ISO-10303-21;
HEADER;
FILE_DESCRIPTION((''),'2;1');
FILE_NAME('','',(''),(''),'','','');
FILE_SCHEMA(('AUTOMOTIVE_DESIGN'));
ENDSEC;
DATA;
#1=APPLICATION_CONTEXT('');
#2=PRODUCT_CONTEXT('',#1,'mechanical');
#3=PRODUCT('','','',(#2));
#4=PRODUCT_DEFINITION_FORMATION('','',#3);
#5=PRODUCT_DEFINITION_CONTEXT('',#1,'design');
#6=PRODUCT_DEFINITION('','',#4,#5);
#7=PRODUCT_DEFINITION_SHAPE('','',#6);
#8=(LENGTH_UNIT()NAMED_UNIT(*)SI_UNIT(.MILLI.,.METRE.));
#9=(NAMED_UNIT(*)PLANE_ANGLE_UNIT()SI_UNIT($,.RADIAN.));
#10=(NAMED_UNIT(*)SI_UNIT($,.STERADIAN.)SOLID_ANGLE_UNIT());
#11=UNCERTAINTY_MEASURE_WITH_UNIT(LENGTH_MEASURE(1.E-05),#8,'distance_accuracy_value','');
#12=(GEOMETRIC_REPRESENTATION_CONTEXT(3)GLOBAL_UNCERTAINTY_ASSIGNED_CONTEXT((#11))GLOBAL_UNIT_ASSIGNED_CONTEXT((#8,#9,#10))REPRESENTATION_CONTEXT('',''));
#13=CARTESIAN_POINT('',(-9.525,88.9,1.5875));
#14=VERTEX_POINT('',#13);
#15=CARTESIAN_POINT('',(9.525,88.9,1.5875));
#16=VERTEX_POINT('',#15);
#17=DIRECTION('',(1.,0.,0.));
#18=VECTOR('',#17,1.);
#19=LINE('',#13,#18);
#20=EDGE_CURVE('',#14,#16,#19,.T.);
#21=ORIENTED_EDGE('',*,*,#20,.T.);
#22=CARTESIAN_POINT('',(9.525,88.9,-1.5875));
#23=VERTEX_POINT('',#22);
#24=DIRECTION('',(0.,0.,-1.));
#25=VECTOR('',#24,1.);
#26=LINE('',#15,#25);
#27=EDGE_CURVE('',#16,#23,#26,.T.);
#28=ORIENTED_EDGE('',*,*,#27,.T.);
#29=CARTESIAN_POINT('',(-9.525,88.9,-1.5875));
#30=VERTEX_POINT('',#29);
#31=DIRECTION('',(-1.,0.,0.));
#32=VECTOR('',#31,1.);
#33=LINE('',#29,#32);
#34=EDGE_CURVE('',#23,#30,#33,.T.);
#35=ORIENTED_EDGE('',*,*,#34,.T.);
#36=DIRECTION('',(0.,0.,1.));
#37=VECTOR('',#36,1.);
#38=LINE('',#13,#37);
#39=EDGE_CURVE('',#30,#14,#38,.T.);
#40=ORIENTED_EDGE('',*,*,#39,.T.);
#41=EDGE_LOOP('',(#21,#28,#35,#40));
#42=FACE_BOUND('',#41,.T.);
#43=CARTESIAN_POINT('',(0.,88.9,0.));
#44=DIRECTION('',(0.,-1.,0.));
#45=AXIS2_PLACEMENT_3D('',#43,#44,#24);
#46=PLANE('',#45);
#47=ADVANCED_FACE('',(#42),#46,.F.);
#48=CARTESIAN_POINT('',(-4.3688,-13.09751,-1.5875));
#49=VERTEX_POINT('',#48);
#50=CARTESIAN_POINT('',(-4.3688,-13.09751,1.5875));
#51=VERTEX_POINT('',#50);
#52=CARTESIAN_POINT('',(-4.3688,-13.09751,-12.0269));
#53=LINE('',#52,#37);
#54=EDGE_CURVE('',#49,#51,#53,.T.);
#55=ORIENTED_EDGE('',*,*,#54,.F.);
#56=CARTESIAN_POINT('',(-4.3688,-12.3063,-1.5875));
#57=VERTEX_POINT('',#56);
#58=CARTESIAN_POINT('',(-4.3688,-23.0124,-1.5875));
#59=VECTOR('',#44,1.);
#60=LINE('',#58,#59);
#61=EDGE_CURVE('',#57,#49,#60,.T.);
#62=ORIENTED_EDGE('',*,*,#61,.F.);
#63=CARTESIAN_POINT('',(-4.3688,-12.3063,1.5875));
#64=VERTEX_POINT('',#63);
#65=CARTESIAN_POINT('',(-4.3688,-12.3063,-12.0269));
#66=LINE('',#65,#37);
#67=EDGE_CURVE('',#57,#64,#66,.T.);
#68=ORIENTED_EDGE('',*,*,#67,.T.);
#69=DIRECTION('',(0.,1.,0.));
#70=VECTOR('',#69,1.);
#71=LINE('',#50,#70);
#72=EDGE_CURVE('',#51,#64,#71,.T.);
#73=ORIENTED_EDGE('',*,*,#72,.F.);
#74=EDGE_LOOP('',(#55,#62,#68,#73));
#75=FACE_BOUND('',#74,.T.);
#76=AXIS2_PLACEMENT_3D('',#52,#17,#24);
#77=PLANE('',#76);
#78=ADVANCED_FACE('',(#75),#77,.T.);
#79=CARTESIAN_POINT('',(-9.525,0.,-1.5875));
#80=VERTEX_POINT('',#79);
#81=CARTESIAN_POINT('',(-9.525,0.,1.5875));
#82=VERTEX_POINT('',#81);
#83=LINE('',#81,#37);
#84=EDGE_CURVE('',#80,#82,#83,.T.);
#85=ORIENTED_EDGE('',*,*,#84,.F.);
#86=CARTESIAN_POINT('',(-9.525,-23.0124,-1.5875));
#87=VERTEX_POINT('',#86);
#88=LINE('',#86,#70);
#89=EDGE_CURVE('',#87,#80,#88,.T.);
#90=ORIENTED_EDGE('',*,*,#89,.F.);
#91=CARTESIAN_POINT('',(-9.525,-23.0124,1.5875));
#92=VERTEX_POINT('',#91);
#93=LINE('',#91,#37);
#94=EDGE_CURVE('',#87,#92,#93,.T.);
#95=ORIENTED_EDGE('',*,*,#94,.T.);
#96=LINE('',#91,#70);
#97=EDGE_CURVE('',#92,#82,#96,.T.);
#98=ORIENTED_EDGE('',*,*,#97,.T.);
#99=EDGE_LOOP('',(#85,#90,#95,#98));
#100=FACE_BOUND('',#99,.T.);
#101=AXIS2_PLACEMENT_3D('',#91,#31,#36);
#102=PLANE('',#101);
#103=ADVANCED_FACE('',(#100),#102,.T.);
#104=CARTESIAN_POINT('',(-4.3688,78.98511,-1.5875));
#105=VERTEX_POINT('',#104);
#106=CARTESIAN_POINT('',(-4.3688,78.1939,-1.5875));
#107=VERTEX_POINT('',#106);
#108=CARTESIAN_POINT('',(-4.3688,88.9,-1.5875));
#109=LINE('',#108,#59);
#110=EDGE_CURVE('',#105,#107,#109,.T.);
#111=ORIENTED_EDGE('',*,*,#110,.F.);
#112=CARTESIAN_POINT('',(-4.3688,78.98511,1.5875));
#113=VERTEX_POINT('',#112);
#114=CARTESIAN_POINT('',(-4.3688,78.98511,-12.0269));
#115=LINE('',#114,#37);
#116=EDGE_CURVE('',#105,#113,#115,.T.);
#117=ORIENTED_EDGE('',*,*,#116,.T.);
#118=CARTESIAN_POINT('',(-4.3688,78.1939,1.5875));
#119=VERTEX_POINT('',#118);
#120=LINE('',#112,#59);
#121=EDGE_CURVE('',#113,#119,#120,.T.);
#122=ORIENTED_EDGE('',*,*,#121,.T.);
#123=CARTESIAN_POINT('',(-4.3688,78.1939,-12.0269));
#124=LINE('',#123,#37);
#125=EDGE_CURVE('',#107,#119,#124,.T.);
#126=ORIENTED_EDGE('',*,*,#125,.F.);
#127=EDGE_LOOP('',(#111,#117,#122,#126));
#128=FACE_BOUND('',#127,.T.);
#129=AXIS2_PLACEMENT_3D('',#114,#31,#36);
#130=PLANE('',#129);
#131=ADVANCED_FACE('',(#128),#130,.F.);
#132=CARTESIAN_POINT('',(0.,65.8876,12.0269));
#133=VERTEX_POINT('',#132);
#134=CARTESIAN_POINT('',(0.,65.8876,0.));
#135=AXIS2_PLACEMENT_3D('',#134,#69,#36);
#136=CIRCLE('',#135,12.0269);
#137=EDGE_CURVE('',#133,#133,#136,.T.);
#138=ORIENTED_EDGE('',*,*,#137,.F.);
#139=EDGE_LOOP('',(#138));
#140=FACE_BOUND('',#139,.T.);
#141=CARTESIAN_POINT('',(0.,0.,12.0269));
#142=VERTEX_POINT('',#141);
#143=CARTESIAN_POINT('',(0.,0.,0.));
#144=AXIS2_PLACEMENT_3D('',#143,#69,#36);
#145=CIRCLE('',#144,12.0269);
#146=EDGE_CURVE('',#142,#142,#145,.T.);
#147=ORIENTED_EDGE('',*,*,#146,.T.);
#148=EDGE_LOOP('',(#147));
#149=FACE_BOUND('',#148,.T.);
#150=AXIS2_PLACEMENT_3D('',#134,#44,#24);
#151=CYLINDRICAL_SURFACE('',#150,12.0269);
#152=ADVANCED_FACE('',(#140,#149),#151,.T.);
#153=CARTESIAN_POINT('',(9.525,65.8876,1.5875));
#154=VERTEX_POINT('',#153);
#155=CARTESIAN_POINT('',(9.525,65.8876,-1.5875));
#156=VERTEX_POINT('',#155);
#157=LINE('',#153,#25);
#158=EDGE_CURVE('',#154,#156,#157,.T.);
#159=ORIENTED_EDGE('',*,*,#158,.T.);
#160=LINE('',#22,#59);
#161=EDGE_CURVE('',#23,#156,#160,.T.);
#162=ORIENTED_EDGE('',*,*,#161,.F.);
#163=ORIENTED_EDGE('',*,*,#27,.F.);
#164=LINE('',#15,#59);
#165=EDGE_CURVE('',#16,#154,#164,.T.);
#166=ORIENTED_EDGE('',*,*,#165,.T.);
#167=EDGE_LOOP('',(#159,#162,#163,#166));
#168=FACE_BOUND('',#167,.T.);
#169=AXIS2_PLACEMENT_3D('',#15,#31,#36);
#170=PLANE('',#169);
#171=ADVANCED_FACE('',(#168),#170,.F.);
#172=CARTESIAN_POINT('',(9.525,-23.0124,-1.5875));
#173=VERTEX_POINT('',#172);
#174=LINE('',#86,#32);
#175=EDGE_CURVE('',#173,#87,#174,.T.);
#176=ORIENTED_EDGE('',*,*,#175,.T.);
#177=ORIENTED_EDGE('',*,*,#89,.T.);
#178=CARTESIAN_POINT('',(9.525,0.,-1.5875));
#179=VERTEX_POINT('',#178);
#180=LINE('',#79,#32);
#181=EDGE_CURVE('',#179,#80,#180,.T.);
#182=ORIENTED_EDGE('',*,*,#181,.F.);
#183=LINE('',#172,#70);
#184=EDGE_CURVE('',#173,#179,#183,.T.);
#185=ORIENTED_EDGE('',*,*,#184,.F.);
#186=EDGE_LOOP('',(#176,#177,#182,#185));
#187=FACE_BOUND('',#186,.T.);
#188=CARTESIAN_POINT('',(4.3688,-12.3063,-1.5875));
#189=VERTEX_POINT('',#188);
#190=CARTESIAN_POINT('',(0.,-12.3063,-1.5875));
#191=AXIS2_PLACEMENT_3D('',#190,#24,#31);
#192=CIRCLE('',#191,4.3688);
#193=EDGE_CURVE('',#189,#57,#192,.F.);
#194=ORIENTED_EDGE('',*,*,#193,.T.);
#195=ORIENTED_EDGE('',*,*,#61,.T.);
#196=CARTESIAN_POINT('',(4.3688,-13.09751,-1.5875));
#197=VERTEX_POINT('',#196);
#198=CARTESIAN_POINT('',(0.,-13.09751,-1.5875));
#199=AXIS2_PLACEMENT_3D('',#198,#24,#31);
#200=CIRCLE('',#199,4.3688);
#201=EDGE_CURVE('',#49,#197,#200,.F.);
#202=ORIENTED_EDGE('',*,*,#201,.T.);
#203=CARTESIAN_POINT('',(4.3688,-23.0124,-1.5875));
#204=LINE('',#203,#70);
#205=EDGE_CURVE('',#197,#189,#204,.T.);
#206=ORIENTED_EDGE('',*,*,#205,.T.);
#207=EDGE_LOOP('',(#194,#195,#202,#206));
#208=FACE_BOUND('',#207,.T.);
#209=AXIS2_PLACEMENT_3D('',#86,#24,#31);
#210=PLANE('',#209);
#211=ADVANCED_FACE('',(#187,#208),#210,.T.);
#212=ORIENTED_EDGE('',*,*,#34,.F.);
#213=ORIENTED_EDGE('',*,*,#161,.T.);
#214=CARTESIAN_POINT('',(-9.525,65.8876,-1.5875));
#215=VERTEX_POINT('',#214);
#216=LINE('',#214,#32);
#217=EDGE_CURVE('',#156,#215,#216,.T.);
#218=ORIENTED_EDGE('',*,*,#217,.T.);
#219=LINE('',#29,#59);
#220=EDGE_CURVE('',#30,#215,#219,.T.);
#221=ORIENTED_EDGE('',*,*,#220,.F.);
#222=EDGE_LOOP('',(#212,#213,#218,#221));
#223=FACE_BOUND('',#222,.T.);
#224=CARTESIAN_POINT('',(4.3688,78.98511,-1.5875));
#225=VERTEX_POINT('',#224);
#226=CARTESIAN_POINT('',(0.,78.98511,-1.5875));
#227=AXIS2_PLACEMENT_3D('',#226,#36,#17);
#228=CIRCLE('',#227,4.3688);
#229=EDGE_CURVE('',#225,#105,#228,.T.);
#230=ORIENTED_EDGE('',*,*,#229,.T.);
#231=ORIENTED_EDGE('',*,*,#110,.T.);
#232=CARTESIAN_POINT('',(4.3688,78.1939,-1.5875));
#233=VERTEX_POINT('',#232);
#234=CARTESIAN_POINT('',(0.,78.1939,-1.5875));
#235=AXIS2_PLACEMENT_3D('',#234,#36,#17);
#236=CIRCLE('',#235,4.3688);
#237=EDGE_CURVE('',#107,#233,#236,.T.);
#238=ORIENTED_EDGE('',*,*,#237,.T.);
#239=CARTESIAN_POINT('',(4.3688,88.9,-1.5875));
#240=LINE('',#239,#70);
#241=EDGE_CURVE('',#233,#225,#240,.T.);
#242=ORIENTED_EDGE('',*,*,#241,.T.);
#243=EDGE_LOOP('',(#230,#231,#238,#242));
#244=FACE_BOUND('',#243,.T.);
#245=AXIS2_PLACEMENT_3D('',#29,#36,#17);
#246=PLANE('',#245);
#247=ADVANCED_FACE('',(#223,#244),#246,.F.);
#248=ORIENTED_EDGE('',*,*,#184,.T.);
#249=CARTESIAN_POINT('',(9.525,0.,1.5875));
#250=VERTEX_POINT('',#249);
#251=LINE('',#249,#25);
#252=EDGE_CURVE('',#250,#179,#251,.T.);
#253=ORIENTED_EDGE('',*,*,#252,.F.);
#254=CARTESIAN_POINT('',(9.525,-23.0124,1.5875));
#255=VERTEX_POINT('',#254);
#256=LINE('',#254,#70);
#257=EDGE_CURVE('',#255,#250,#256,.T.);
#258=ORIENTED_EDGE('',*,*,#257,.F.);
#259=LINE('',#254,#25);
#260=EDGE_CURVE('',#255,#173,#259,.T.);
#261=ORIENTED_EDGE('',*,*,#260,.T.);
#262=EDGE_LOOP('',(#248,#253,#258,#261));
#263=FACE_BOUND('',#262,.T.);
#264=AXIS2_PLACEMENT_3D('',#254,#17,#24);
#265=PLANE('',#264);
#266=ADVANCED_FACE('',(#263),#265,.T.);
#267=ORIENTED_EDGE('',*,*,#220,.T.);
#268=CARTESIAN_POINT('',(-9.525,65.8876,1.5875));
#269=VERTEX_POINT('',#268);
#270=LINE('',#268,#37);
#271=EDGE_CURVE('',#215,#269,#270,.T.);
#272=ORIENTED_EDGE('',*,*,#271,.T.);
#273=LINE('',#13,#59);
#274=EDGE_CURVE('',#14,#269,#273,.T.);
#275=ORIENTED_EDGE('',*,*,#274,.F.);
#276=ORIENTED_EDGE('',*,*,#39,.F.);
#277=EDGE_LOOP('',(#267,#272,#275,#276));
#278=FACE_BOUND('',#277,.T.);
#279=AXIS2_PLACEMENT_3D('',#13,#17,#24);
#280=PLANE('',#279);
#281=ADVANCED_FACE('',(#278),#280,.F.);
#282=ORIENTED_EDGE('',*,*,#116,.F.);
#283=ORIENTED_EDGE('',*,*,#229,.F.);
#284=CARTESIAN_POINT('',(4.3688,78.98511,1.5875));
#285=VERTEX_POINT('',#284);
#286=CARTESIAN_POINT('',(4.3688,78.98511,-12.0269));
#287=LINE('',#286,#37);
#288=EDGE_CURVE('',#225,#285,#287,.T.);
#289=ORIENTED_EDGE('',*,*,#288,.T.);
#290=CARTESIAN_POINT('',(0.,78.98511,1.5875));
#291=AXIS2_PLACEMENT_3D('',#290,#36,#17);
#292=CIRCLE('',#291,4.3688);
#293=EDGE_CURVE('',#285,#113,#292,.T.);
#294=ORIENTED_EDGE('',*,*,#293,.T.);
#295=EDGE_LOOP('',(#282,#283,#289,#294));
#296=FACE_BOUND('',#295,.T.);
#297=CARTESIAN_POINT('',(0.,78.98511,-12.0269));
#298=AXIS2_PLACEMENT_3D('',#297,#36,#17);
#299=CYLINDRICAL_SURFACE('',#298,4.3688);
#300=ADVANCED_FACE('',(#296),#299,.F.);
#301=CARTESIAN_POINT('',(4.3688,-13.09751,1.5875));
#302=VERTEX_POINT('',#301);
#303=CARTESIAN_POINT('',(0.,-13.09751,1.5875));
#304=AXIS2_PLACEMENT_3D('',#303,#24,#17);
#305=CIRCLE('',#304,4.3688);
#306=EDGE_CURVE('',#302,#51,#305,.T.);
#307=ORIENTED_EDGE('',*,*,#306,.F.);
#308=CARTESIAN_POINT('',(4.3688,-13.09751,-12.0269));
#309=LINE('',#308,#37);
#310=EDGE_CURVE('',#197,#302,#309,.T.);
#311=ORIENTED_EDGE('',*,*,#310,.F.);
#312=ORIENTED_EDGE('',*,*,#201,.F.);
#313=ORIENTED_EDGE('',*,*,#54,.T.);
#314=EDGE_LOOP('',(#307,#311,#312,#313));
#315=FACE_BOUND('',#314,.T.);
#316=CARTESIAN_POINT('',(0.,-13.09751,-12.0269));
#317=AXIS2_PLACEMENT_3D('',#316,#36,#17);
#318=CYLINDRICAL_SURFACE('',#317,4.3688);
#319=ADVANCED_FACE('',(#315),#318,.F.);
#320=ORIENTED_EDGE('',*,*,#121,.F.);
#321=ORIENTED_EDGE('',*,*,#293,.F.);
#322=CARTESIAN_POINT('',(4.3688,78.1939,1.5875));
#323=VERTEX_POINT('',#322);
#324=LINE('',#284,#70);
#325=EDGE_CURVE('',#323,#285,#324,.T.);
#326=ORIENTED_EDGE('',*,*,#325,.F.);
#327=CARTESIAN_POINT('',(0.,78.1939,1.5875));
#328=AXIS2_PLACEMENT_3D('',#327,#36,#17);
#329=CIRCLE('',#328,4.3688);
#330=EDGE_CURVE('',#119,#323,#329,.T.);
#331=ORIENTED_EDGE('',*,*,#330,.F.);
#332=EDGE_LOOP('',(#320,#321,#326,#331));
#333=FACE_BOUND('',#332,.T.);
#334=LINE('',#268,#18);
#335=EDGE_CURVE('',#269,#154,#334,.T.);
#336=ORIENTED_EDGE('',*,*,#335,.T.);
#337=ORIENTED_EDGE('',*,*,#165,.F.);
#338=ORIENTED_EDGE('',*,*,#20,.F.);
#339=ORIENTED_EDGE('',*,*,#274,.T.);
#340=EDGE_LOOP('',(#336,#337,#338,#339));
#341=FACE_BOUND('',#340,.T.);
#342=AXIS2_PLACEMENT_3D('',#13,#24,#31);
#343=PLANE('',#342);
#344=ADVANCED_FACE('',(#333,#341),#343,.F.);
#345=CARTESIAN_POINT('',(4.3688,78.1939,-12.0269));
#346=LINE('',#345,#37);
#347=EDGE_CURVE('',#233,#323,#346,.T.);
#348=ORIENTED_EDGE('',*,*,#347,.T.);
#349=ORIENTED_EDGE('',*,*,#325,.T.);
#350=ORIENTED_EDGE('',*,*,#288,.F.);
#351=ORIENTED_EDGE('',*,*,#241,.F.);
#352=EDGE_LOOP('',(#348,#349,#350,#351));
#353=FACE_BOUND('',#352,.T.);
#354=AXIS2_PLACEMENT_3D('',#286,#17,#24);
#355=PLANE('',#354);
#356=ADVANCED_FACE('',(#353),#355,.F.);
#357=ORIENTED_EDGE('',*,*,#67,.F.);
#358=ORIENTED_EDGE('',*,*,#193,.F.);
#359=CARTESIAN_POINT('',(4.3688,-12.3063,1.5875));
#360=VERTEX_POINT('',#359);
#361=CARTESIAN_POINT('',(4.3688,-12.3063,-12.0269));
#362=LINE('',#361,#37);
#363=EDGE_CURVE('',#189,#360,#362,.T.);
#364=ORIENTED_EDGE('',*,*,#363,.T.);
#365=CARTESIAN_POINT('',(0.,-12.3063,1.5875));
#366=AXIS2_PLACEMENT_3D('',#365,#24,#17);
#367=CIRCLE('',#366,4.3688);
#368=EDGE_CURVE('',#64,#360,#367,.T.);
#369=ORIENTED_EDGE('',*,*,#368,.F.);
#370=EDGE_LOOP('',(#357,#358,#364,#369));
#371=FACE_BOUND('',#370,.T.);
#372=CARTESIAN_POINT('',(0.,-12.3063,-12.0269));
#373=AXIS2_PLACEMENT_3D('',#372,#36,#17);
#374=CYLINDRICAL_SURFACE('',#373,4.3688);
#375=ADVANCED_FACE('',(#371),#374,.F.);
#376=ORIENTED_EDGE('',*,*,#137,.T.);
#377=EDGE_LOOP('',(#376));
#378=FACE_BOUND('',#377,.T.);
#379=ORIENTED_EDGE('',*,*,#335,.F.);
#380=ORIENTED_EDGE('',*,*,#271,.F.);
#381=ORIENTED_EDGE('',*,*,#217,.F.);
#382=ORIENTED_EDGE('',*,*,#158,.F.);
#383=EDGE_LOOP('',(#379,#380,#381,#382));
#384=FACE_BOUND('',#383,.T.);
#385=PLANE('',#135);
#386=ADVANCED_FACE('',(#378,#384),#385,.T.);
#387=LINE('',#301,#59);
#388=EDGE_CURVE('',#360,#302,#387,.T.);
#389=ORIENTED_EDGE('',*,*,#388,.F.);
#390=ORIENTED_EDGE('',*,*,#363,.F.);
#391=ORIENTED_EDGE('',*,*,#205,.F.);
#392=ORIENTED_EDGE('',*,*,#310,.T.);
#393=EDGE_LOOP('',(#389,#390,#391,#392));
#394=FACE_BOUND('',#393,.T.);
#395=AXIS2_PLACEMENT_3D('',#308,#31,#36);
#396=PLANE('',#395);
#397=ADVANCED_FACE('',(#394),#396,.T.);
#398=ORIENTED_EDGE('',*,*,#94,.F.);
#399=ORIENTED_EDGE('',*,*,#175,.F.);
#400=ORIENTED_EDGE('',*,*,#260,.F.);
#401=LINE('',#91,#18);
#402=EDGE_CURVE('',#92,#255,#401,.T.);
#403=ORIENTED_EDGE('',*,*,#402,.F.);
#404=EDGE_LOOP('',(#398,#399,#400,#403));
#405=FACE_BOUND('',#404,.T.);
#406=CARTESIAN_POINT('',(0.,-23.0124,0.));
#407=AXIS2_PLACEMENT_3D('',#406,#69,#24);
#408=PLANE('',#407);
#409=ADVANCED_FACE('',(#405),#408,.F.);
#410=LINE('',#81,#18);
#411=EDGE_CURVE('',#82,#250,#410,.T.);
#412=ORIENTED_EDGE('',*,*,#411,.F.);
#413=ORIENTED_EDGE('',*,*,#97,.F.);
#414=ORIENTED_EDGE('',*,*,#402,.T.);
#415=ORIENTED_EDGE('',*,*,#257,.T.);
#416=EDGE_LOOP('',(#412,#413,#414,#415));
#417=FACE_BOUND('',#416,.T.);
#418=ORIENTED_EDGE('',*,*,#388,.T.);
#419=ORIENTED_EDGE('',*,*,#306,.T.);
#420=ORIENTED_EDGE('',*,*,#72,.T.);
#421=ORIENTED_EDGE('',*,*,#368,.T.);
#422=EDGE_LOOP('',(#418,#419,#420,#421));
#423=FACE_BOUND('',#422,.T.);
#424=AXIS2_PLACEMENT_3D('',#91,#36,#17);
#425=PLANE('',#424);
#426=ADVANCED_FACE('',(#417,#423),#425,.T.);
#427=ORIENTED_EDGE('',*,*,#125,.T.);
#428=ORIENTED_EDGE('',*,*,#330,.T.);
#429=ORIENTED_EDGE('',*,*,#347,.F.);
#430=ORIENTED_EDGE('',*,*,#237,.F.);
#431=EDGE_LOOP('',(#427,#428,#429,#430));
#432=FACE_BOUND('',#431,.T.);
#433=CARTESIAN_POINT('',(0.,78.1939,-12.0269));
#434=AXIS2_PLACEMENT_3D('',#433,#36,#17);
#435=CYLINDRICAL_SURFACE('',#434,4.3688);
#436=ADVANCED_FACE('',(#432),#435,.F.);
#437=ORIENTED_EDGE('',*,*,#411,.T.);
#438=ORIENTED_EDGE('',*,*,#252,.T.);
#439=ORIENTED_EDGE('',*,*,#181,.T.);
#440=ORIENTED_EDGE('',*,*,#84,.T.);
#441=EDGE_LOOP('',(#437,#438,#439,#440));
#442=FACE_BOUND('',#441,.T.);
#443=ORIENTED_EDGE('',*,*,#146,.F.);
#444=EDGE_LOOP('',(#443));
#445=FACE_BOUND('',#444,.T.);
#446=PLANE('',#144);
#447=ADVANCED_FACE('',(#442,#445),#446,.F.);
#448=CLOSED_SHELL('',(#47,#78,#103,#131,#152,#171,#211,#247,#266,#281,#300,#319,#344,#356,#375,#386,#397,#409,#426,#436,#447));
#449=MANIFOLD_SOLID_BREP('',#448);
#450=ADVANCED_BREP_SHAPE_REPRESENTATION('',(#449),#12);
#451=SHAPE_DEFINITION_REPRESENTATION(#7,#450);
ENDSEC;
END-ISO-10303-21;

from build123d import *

# Parameters (mm, degrees)
SKETCH1_R           = 12.0269
BOSS_EXTRUDE1_DEPTH = 65.8876
SKETCH2_W           = 19.05
SKETCH2_H           = 3.175
BOSS_EXTRUDE2_DEPTH = 23.0124
CUT_EXTRUDE1_DEPTH  = 14.6144


with BuildPart() as part:
    # Sketch1 → Boss-Extrude1 (new body)
    with BuildSketch(Plane(origin=(0, 0, 0), x_dir=(1, 0, 0), z_dir=(0, 1, 0))):
        Circle(SKETCH1_R)
    extrude(amount=BOSS_EXTRUDE1_DEPTH)

    # Sketch2 → Boss-Extrude2 (add)
    with BuildSketch(Plane(origin=(0, 65.8876, 0), x_dir=(1, 0, 0), z_dir=(0, 1, 0))):
        Rectangle(SKETCH2_W, SKETCH2_H)
    boss_extrude2 = extrude(amount=BOSS_EXTRUDE2_DEPTH)

    # Sketch3 → Cut-Extrude1 (cut, through all)
    with BuildSketch(Plane.XY.offset(1.5875)):
        with BuildLine():
            Line((-4.3688, 78.98511), (-4.3688, 78.1939))
            ThreePointArc((-4.3688, 78.1939), (0, 73.8251), (4.3688, 78.1939))
            Line((4.3688, 78.1939), (4.3688, 78.98511))
            ThreePointArc((4.3688, 78.98511), (0, 83.35391), (-4.3688, 78.98511))
        make_face()
    cut_extrude1 = extrude(amount=-CUT_EXTRUDE1_DEPTH, mode=Mode.SUBTRACT)

    # Mirror2: Boss-Extrude2, Cut-Extrude1 across plane
    add(boss_extrude2.mirror(Plane.ZX.offset(32.9438)))
    add(cut_extrude1.mirror(Plane.ZX.offset(32.9438)), mode=Mode.SUBTRACT)


solid = part.part
